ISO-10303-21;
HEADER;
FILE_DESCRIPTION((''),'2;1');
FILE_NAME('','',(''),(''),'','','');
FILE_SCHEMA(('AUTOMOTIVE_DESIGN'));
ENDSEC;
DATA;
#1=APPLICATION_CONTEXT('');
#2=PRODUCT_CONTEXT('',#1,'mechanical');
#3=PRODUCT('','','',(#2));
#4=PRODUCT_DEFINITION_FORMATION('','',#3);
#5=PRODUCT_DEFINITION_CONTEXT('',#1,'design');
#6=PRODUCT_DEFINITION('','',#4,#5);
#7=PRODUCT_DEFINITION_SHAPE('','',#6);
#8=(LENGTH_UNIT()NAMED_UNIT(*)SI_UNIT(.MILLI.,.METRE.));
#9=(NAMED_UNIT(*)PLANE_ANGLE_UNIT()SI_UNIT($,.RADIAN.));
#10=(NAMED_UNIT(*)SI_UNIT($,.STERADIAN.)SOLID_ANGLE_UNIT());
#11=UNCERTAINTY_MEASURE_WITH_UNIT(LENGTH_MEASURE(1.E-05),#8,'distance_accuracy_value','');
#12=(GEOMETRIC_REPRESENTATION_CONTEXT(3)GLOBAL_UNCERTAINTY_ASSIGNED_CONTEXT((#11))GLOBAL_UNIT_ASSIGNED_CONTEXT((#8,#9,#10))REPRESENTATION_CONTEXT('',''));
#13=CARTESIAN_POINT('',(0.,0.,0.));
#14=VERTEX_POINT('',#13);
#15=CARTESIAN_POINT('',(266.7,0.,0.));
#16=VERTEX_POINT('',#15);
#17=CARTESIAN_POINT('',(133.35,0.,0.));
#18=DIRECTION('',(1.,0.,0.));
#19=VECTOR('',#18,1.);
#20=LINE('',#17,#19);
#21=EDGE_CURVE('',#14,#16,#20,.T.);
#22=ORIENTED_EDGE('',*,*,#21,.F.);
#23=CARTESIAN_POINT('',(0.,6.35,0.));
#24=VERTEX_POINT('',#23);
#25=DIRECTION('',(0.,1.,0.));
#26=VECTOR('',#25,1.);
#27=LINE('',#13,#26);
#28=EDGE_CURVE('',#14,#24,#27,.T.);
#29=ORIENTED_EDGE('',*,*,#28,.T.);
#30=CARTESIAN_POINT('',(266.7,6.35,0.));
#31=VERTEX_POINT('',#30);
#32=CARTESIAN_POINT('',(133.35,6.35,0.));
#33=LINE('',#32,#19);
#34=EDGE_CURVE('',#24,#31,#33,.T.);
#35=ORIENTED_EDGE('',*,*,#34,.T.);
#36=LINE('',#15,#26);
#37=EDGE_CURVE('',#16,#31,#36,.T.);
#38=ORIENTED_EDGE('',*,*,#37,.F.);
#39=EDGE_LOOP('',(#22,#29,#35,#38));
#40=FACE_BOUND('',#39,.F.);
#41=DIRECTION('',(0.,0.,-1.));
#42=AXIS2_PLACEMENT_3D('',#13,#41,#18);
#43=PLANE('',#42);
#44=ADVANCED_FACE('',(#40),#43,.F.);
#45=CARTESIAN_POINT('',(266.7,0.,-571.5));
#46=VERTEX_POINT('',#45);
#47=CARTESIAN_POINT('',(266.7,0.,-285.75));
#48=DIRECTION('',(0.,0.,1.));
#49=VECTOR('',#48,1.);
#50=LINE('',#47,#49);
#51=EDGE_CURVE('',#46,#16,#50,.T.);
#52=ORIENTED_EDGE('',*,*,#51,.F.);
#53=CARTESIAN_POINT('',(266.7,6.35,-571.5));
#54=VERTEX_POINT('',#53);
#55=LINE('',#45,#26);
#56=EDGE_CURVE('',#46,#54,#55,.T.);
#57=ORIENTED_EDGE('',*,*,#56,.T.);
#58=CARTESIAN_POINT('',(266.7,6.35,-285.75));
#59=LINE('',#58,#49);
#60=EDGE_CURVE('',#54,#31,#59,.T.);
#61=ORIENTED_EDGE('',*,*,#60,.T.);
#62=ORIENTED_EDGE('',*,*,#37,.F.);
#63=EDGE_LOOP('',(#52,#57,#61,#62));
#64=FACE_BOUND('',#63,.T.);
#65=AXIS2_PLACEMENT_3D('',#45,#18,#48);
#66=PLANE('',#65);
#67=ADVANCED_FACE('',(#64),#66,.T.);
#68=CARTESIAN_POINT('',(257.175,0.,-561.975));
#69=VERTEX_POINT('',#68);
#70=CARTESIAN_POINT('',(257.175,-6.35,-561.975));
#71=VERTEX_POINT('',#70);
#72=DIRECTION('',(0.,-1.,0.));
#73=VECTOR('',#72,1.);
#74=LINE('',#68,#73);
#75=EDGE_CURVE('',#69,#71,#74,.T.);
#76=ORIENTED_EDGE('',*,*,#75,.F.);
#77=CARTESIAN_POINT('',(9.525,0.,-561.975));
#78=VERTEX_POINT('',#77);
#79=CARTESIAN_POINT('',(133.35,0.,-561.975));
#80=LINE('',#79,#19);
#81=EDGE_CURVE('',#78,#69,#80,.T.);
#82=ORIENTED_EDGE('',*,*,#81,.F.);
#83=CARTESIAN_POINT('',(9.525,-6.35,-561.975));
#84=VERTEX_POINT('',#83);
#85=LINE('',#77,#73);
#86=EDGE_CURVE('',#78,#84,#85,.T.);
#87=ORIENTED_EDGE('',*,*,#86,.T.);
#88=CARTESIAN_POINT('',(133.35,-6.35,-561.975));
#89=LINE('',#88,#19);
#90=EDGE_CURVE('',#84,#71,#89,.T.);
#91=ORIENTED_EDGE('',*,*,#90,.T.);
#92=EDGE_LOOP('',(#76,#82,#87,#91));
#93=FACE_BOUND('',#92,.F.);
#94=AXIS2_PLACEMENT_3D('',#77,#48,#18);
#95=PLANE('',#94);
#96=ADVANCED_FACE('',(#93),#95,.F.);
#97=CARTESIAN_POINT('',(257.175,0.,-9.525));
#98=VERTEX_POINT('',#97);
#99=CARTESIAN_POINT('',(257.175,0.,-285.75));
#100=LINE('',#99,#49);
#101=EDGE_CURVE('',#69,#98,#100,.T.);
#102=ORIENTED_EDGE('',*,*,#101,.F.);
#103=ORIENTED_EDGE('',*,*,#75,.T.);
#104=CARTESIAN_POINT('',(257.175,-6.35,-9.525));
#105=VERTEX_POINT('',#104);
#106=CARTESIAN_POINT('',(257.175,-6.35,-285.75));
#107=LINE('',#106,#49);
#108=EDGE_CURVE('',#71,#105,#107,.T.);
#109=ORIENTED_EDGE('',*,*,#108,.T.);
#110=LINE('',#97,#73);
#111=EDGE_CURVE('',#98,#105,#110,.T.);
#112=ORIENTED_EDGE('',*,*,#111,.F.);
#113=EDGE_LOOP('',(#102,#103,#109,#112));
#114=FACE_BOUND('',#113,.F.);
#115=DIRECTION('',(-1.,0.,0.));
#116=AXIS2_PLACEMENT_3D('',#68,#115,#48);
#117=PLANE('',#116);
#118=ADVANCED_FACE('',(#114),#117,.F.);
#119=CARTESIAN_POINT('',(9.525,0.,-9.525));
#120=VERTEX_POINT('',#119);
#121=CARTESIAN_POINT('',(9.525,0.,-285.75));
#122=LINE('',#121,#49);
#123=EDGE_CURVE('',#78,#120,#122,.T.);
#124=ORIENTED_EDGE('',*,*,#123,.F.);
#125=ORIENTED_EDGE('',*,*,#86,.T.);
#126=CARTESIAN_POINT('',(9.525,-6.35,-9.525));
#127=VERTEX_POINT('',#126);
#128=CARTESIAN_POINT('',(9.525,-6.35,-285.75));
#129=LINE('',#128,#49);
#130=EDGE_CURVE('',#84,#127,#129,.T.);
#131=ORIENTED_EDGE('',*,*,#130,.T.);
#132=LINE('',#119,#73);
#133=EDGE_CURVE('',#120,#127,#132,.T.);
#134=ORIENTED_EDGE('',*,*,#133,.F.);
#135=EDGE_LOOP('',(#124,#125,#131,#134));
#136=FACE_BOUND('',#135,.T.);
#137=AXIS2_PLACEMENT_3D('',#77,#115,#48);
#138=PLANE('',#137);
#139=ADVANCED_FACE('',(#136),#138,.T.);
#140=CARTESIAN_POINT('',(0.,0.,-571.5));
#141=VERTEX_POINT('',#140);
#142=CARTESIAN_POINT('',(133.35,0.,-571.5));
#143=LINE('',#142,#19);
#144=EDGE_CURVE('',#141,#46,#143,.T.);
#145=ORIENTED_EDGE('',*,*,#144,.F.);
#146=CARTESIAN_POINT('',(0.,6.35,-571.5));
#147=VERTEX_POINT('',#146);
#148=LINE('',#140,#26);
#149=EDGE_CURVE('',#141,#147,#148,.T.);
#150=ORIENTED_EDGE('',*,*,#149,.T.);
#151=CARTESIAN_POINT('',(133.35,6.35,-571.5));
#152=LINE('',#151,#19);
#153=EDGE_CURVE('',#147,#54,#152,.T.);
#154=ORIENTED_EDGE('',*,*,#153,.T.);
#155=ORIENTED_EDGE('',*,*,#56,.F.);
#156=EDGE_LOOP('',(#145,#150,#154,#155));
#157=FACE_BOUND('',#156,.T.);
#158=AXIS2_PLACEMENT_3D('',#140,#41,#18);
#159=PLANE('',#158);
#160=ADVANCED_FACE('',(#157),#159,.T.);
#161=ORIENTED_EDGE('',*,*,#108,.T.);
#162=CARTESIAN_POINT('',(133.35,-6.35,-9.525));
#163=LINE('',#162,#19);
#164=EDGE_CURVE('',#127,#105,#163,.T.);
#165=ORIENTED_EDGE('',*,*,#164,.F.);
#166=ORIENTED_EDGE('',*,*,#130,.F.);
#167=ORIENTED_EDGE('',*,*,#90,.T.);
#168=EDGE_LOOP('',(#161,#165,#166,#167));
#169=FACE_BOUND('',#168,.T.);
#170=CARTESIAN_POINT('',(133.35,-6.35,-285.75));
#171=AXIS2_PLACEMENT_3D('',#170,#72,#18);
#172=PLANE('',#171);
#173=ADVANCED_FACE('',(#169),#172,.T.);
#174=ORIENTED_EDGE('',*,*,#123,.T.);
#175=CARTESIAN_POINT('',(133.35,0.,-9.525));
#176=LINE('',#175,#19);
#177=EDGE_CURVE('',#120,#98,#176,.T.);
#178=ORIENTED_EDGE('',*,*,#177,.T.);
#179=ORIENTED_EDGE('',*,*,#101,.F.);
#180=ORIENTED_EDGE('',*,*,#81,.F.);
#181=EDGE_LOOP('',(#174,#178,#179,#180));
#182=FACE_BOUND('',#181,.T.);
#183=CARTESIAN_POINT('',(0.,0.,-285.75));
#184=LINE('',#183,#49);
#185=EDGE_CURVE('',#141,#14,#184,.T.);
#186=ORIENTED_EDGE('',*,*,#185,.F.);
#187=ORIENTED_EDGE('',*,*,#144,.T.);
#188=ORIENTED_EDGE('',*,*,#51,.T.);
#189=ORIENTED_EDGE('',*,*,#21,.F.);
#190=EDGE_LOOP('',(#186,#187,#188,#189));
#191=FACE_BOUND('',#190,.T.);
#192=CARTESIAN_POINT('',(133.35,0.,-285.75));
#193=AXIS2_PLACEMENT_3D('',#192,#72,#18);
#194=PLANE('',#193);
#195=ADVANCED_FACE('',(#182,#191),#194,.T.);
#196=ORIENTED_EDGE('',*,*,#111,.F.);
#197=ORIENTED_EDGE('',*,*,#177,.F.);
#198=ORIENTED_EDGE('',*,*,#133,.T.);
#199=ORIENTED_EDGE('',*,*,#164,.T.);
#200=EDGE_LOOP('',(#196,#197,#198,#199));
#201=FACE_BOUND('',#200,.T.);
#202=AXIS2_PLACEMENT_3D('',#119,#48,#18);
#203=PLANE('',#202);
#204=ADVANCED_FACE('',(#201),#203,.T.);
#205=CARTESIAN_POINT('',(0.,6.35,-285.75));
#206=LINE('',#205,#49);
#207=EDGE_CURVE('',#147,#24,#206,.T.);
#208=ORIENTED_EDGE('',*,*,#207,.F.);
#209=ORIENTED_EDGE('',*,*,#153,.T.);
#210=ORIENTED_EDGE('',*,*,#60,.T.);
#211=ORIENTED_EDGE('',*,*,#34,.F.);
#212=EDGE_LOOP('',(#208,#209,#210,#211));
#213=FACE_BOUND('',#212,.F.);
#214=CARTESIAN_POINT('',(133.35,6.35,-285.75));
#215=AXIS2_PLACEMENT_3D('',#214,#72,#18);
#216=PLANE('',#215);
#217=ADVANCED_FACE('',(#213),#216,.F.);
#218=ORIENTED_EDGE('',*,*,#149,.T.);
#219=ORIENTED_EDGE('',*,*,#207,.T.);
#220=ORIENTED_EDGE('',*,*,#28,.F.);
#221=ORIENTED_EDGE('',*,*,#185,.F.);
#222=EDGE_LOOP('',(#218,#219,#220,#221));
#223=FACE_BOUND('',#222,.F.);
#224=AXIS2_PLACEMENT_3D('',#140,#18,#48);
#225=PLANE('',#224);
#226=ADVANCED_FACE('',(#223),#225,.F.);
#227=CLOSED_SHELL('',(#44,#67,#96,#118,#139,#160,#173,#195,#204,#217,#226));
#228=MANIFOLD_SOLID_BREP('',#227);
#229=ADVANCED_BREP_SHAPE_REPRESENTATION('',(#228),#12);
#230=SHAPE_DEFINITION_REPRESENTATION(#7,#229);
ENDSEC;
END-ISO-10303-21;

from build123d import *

# Parameters (mm, degrees)
F0_W     = 266.7
F0_H     = 571.5
F0_W_2   = 247.65
F0_H_2   = 552.45
F1_DEPTH = 6.35
F2_DEPTH = 6.35


with BuildPart() as f1:
    # F0 (on Front) → F1 (new body)
    with BuildSketch(Plane.XZ):
        with Locations((133.35, -285.75)):
            Rectangle(F0_W, F0_H)
        with Locations((133.35, -285.75)):
            Rectangle(F0_W_2, F0_H_2, mode=Mode.SUBTRACT)
        with Locations((133.35, -285.75)):
            Rectangle(F0_W_2, F0_H_2)
    extrude(amount=-F1_DEPTH)

    # F0 (on Front) → F2 (join)
    with BuildSketch(Plane.XZ):
        with Locations((133.35, -285.75)):
            Rectangle(F0_W_2, F0_H_2)
    extrude(amount=F2_DEPTH)


solid = f1.part
